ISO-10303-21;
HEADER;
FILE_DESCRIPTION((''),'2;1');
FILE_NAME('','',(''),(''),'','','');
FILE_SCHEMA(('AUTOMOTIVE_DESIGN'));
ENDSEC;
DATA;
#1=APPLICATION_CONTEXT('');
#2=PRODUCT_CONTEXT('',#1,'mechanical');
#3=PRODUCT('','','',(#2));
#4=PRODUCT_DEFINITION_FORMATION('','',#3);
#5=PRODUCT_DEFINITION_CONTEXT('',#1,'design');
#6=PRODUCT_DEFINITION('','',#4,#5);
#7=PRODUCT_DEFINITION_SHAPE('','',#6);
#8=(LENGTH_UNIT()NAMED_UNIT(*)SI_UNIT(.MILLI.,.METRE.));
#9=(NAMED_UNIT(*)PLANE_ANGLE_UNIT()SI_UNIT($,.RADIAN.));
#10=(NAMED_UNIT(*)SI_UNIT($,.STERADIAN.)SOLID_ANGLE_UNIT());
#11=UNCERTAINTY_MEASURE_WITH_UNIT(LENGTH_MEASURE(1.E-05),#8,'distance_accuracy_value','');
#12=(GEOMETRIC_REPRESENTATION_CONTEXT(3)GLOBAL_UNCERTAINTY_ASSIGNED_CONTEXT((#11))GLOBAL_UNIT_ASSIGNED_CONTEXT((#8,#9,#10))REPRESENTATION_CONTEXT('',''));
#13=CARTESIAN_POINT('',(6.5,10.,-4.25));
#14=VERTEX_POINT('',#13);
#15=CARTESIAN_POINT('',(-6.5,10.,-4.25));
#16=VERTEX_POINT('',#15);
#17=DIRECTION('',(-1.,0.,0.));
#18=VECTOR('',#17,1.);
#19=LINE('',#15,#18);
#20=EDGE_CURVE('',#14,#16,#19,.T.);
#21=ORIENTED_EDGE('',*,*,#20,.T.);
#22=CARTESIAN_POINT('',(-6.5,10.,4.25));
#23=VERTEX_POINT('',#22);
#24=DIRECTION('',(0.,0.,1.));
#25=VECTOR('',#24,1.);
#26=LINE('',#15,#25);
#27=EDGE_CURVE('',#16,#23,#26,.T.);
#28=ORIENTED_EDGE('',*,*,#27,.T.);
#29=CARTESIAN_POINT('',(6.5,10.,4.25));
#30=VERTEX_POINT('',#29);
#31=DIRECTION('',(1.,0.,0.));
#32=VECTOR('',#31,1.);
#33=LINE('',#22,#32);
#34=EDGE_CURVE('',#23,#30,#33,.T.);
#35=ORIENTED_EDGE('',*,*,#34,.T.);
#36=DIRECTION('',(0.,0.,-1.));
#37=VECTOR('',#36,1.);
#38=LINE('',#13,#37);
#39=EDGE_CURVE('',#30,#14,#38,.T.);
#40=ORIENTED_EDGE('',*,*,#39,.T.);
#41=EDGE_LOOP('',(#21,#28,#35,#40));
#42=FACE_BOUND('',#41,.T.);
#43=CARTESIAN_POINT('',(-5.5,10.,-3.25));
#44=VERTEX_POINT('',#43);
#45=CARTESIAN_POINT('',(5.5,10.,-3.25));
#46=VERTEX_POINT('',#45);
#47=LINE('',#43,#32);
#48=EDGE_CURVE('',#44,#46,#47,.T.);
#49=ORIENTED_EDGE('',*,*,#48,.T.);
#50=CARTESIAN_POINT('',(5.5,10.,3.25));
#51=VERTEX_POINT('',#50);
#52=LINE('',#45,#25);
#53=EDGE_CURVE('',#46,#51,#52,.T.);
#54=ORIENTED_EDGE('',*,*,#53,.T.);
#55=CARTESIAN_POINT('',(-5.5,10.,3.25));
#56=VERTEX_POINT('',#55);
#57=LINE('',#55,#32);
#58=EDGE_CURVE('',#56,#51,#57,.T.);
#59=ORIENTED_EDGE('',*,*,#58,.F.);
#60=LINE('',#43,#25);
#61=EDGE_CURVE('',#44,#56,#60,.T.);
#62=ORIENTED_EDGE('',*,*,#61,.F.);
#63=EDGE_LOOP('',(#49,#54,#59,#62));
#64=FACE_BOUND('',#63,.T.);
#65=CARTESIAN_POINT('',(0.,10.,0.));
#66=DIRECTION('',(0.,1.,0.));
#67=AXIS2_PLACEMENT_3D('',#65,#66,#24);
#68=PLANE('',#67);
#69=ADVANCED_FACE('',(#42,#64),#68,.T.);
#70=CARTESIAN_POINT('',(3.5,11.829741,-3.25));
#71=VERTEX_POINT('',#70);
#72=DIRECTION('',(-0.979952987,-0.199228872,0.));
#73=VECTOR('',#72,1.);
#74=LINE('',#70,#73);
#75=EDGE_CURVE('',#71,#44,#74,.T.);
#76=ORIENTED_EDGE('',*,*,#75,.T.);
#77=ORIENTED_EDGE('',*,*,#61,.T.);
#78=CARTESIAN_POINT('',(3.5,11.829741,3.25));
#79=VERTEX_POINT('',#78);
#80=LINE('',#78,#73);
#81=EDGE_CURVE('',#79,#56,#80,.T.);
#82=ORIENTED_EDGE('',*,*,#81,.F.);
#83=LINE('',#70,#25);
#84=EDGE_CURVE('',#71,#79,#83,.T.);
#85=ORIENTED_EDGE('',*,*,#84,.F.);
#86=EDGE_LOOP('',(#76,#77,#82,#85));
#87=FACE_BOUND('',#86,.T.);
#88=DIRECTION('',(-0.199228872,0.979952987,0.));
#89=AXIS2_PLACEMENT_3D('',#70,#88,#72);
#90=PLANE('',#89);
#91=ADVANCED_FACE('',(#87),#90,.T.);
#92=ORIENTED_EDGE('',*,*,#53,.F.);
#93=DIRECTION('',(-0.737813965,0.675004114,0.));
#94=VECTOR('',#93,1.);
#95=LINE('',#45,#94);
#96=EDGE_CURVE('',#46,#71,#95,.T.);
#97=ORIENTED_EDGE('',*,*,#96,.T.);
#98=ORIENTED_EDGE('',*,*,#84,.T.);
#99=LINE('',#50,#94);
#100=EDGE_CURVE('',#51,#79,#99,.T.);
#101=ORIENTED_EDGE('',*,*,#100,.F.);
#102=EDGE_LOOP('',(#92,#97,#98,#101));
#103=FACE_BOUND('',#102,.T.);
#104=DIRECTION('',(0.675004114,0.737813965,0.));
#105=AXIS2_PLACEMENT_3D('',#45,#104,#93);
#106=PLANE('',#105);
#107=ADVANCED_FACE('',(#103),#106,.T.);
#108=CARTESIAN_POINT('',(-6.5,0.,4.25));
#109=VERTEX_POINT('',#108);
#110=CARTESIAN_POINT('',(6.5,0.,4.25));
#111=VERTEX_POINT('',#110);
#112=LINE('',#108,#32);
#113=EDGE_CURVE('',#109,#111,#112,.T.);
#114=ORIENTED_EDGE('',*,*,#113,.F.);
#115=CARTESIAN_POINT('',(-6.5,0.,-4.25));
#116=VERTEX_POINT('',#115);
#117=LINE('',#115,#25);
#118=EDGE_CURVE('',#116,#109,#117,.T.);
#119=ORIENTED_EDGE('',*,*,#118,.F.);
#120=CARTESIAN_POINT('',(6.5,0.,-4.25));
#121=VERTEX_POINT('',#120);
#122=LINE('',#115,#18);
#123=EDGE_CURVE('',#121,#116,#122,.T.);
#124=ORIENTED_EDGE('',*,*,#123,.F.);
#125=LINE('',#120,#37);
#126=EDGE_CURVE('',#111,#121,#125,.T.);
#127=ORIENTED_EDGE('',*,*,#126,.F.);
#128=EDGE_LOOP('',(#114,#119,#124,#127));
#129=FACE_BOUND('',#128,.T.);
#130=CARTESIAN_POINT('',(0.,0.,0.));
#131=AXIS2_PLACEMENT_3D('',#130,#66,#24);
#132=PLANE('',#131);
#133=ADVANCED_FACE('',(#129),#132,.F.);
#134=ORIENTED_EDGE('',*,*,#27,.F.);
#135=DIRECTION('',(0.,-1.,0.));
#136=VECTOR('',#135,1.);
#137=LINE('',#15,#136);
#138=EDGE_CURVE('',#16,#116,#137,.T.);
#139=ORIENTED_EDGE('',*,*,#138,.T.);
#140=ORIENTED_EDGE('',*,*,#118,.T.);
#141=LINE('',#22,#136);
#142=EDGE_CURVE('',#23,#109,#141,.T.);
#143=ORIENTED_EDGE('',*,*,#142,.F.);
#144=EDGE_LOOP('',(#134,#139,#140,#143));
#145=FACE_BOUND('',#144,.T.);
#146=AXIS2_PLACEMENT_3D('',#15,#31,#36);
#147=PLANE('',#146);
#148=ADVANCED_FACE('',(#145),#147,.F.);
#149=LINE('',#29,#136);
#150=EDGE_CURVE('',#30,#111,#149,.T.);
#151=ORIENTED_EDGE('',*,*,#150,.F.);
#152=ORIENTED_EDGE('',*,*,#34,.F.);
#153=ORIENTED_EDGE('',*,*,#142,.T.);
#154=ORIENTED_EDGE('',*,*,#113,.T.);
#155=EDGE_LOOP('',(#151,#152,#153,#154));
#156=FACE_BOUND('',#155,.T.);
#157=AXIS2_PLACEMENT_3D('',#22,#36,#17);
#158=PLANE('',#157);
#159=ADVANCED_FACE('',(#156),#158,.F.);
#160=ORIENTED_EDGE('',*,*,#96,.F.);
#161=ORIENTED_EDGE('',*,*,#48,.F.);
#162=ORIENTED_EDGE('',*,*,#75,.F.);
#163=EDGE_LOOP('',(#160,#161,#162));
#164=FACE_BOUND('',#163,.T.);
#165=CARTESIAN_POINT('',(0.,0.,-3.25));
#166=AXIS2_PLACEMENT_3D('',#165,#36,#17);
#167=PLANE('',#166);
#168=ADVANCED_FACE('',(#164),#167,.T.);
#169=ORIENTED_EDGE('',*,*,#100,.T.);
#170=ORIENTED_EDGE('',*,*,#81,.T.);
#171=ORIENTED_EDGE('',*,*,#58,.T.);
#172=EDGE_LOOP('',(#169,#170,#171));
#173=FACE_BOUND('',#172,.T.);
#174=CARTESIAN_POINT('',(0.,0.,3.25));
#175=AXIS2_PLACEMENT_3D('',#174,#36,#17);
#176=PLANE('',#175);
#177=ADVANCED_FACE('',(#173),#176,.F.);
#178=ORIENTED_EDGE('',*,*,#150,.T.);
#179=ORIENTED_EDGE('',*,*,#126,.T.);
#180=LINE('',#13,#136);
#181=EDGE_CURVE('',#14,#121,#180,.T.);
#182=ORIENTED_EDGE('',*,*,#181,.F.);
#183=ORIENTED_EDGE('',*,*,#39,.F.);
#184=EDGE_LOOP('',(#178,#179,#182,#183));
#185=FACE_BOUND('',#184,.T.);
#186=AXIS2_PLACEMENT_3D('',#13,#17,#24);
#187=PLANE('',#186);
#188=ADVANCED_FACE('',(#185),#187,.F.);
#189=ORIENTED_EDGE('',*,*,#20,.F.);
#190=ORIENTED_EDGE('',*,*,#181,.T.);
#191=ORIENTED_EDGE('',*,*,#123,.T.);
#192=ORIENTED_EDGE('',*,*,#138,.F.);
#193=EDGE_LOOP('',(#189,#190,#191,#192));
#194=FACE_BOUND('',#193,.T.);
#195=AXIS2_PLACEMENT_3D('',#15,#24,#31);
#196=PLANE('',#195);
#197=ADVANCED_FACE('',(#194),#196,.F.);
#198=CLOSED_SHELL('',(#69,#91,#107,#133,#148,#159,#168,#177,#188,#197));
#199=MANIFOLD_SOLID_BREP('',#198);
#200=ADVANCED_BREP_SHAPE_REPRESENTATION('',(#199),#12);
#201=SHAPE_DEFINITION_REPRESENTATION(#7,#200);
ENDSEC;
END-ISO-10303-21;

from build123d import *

# Parameters (mm, degrees)
SKETCH1_W           = 13
SKETCH1_H           = 8.5
BOSS_EXTRUDE1_DEPTH = 10
BOSS_EXTRUDE2_DEPTH = 6.5


with BuildPart() as part:
    # Sketch1 → Boss-Extrude1 (new body)
    with BuildSketch(Plane(origin=(0, 0, 0), x_dir=(1, 0, 0), z_dir=(0, 1, 0))):
        Rectangle(SKETCH1_W, SKETCH1_H)
    extrude(amount=BOSS_EXTRUDE1_DEPTH)

    # Sketch2 → Boss-Extrude2 (add)
    with BuildSketch(Plane.XY.offset(3.25)):
        Polygon((-5.5, 10), (5.5, 10), (3.5, 11.829740684), align=None)
    extrude(amount=-BOSS_EXTRUDE2_DEPTH)


solid = part.part
